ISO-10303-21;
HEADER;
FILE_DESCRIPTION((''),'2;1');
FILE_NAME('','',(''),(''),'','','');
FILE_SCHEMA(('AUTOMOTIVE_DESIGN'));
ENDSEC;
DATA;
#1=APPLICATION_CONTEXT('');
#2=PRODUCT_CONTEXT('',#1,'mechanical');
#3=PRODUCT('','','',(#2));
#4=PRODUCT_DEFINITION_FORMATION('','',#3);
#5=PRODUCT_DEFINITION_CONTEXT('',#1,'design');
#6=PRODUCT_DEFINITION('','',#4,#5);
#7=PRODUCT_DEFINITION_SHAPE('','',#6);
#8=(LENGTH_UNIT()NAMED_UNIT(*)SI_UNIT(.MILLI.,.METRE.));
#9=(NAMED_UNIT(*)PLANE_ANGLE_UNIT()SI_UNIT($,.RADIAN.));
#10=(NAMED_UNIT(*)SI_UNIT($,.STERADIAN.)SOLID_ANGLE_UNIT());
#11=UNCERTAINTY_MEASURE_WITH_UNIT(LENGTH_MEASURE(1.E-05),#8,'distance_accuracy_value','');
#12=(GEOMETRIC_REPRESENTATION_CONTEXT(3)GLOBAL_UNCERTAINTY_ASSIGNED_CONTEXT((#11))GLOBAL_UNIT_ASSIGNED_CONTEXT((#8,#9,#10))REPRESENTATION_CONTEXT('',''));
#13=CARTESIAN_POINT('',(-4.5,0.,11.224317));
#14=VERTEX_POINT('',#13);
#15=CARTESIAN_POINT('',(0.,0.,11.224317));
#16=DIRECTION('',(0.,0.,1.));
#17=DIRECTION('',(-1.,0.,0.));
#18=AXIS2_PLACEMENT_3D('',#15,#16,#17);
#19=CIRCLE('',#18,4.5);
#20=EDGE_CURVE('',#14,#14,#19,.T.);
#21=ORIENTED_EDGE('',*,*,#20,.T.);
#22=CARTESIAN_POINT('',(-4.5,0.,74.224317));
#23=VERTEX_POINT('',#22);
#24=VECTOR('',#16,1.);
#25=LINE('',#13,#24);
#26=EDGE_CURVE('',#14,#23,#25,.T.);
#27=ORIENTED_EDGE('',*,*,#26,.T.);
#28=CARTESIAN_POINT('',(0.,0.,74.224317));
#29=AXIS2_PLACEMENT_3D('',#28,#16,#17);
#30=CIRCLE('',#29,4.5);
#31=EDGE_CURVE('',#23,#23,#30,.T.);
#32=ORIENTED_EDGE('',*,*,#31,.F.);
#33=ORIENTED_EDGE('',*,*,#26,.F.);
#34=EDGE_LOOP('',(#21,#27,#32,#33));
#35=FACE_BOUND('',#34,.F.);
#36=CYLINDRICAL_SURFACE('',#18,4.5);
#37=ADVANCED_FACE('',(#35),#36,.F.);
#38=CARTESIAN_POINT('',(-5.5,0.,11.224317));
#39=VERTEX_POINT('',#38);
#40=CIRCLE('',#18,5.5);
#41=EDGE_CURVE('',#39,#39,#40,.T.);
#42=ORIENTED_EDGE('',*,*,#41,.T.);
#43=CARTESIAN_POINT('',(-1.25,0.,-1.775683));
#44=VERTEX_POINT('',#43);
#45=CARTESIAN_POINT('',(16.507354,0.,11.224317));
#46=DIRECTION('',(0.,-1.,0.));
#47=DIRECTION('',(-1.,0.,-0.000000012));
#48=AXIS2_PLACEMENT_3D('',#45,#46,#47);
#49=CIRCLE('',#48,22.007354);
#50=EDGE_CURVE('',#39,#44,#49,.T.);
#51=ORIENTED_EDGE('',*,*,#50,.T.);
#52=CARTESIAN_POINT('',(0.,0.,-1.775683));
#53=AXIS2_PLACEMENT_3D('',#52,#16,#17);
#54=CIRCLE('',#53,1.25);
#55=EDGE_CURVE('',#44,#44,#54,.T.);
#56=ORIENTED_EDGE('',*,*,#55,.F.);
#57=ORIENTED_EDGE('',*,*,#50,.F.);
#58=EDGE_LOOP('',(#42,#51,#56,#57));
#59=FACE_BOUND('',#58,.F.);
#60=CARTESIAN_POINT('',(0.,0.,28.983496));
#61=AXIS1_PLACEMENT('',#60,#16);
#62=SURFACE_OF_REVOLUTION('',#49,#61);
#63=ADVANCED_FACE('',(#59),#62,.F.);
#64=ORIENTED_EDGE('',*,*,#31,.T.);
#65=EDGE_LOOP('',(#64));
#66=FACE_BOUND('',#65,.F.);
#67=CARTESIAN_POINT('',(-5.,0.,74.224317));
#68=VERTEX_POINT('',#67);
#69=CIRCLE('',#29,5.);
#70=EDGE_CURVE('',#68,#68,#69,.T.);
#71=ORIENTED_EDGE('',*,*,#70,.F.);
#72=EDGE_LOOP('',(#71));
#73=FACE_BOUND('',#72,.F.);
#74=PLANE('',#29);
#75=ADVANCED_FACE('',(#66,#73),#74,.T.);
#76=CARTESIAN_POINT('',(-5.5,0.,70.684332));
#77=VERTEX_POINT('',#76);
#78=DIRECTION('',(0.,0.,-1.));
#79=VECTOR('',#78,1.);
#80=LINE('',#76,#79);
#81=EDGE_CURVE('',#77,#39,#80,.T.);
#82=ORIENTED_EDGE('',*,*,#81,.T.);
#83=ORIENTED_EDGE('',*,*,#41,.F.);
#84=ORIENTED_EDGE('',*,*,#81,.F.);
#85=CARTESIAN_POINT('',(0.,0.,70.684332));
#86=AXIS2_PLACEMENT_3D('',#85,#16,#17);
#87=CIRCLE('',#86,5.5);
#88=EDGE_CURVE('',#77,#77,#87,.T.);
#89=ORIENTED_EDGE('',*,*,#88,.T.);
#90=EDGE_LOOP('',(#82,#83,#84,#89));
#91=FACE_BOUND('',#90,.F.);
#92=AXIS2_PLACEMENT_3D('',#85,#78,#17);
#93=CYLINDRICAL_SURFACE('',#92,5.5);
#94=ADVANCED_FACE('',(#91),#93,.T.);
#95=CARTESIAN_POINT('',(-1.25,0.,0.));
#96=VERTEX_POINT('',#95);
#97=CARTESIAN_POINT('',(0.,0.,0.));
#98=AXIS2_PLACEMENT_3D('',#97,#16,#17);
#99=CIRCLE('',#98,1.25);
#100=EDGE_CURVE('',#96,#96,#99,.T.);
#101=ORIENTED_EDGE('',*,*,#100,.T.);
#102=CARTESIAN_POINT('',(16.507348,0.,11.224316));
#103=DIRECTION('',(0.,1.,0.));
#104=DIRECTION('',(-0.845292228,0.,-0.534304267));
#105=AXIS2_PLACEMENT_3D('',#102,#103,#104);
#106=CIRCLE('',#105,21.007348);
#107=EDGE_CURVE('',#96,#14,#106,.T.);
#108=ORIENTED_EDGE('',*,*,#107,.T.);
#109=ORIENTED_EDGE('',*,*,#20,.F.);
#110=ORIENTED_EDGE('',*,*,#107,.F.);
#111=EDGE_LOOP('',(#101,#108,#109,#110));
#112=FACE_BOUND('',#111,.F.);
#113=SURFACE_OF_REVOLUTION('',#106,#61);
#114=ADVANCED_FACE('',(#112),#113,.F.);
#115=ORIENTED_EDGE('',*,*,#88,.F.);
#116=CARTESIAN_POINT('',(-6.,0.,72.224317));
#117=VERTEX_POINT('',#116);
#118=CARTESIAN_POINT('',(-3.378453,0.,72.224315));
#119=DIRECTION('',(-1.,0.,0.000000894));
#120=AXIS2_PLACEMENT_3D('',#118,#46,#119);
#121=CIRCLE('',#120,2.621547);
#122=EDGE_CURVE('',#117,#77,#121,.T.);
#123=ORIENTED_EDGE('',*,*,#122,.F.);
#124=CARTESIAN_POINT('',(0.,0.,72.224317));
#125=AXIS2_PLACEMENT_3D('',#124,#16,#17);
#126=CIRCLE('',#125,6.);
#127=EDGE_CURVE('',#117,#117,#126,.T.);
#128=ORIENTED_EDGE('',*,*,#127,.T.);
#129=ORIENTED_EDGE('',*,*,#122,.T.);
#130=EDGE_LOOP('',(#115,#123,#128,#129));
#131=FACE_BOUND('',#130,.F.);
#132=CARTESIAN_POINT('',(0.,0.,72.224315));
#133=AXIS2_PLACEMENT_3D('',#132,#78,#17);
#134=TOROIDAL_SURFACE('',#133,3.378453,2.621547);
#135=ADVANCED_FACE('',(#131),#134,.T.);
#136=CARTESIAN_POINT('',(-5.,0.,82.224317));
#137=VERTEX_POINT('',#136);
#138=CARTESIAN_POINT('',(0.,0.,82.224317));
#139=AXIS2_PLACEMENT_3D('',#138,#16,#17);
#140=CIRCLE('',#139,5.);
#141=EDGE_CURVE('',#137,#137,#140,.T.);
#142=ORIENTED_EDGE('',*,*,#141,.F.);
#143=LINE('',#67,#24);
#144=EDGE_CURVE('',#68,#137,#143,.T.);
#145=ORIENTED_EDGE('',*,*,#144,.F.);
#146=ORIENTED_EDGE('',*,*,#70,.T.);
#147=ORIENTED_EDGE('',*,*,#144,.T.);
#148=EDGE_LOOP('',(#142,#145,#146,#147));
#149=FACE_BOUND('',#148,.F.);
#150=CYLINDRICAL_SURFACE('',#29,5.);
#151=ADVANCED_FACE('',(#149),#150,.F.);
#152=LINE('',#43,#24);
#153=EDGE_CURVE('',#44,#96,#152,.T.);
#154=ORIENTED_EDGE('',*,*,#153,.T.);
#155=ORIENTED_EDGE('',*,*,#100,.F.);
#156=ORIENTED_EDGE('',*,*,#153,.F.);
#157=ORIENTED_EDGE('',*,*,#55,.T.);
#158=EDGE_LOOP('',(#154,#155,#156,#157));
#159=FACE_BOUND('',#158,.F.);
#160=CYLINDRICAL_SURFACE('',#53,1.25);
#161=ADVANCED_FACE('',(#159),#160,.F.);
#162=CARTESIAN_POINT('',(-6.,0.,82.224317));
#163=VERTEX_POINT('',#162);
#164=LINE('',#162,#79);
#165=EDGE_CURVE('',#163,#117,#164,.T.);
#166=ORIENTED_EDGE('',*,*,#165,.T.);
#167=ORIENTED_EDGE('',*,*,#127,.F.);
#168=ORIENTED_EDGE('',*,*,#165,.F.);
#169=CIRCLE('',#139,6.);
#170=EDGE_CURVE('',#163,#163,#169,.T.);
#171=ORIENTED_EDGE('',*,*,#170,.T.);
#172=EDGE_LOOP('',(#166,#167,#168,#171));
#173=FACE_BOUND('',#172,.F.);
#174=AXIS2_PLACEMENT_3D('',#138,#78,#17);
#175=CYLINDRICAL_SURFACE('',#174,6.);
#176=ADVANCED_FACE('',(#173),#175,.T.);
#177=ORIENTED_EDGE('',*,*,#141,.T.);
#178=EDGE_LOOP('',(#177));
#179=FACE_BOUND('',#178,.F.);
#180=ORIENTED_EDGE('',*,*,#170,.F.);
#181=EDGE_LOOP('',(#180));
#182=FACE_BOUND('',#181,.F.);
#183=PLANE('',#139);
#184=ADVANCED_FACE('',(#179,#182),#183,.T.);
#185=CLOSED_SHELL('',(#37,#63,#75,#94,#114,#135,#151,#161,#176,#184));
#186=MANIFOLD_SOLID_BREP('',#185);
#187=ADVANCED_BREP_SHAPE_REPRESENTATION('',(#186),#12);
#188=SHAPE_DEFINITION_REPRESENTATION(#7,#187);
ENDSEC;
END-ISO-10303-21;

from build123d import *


with BuildPart() as f1:
    # F0 (on Front) → F1 (revolve)
    with BuildSketch(Plane.XZ):
        with BuildLine():
            Line((-4.5, 11.224317), (-4.5, 74.224317))
            Line((-4.5, 74.224317), (-5, 74.224317))
            Line((-5, 74.224317), (-5, 82.224317))
            Line((-5, 82.224317), (-6, 82.224317))
            Line((-6, 82.224317), (-6, 72.224317))
            ThreePointArc((-6, 72.224317), (-5.871869, 71.414756), (-5.5, 70.684332))
            Line((-5.5, 70.684332), (-5.5, 11.224317))
            ThreePointArc((-5.5, 11.224317), (-4.410533, 4.385777), (-1.25, -1.775683))
            Line((-1.25, -1.775683), (-1.25, 0))
            ThreePointArc((-1.25, 0), (-3.671149, 5.381634), (-4.5, 11.224317))
        make_face()
    revolve(axis=Axis((0, 0, 28.983496), (0, 0, 1)))


solid = f1.part
